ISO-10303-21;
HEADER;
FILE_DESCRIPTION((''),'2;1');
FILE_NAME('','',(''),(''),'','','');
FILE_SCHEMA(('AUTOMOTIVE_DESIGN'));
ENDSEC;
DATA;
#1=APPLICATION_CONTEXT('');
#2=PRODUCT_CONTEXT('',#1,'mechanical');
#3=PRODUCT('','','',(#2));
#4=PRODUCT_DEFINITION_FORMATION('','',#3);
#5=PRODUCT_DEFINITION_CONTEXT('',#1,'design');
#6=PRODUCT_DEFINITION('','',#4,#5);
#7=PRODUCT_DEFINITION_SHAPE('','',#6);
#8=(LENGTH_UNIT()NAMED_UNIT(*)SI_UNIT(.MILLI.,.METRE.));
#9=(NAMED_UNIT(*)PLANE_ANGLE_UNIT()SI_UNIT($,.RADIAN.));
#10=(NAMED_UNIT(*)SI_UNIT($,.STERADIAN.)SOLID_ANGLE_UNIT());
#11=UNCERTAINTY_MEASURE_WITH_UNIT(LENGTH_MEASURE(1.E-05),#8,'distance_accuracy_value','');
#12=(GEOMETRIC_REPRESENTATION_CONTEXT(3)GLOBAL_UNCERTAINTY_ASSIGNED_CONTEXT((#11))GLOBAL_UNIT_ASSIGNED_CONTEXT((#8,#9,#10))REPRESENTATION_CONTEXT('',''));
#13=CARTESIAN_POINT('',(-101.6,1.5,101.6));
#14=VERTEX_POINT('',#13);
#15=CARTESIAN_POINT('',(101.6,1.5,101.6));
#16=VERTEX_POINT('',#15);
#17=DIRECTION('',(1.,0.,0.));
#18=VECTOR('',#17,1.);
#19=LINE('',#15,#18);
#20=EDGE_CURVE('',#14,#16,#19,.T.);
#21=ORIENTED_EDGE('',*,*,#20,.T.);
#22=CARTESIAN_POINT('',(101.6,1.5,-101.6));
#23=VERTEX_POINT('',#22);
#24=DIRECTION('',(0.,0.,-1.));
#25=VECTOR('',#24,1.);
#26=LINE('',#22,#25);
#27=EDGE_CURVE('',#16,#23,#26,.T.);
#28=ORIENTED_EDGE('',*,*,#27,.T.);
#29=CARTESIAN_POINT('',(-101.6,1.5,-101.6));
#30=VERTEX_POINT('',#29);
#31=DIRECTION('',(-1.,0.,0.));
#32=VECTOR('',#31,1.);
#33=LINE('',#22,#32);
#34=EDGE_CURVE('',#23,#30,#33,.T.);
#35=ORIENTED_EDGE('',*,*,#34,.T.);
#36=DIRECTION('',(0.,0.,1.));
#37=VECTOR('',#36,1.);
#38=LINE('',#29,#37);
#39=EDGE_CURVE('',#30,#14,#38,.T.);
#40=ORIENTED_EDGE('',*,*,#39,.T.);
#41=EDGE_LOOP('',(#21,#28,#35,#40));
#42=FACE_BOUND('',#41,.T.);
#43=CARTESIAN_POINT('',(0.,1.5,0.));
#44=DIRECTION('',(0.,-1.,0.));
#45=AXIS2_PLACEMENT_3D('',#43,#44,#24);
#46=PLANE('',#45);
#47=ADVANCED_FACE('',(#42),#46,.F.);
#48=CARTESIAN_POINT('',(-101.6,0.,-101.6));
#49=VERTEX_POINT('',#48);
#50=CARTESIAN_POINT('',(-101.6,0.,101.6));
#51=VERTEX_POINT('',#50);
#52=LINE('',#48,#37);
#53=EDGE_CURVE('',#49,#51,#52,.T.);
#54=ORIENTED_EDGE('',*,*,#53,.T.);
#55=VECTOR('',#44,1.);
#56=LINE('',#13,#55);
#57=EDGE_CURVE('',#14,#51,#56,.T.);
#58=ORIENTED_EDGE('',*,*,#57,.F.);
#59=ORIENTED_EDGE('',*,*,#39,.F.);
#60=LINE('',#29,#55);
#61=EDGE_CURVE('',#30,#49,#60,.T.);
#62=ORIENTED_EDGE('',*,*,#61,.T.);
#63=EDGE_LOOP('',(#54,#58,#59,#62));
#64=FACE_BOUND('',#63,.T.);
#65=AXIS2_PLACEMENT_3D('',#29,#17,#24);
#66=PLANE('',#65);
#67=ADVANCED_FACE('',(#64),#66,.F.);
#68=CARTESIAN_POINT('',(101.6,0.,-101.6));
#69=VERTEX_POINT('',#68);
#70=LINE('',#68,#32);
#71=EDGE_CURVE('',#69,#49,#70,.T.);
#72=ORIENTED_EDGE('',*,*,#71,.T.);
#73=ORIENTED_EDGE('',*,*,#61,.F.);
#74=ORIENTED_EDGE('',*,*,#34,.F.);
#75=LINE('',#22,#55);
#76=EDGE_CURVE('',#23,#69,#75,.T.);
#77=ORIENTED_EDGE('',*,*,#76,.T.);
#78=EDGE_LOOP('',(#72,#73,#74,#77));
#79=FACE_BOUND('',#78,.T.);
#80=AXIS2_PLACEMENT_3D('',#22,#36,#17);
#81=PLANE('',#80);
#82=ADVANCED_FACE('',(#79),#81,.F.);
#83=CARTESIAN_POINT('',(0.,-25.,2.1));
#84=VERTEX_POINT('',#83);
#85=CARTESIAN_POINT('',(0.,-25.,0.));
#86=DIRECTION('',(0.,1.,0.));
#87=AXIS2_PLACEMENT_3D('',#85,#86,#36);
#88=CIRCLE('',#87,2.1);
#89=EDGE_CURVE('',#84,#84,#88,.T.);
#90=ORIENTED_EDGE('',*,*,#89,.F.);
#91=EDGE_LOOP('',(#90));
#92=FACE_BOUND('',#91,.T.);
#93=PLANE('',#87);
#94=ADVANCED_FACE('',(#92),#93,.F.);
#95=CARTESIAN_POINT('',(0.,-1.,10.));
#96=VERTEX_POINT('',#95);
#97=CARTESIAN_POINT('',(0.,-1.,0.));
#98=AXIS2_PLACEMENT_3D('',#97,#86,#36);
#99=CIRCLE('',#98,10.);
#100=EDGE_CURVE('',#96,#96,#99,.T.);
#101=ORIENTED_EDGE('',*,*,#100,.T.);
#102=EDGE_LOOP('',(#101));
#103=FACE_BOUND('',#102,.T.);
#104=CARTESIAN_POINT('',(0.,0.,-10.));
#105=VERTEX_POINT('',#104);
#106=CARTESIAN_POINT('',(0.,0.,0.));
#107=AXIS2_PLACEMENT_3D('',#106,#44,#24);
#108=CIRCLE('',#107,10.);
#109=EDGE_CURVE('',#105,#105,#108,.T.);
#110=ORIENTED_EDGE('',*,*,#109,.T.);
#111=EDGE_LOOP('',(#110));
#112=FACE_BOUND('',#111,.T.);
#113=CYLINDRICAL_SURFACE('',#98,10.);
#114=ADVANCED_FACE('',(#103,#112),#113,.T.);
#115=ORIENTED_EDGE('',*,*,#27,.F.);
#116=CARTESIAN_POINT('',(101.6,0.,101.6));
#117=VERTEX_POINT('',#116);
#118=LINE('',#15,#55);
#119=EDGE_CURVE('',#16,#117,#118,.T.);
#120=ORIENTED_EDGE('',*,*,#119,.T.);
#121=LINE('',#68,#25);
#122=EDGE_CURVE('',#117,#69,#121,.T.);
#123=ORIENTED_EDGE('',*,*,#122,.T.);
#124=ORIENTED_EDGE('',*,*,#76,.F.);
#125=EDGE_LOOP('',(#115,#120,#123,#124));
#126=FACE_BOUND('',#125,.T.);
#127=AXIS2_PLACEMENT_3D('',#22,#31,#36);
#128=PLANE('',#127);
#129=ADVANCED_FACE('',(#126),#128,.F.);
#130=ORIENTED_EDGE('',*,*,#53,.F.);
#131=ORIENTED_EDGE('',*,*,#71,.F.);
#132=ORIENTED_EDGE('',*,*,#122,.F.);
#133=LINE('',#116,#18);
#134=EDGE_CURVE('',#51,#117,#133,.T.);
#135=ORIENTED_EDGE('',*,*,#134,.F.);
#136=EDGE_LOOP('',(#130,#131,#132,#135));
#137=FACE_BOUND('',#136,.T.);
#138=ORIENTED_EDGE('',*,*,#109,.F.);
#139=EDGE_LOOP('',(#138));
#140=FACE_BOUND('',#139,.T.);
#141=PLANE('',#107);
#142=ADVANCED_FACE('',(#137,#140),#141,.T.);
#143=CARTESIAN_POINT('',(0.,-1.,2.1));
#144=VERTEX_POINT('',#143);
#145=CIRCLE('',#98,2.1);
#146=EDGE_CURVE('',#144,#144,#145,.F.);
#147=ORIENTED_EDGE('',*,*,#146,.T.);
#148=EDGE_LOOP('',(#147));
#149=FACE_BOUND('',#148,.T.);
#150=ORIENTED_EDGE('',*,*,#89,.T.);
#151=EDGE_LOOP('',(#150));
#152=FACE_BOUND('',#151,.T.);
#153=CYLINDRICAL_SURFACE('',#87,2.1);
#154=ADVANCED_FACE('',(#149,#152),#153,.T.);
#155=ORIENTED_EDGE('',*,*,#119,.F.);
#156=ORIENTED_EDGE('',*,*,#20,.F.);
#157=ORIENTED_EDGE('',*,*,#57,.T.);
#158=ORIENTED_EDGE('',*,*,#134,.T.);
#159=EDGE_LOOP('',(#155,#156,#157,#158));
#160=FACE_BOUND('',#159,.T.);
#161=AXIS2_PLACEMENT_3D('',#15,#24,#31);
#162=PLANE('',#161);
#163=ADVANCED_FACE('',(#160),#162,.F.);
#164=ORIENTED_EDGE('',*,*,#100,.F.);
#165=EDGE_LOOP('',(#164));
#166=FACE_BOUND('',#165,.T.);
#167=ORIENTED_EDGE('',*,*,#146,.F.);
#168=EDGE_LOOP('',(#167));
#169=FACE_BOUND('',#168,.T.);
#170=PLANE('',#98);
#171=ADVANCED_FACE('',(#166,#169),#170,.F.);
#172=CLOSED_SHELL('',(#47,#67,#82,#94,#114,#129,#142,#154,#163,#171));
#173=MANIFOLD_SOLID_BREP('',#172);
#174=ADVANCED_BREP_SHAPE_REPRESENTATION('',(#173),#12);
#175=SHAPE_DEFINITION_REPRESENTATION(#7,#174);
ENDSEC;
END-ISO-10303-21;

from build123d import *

# Parameters (mm, degrees)
SKETCH1_R           = 2.1
BOSS_EXTRUDE1_DEPTH = 25
SKETCH2_W           = 203.2
SKETCH2_H           = 203.2
BOSS_EXTRUDE2_DEPTH = 1.5
SKETCH3_R           = 10
BOSS_EXTRUDE3_DEPTH = 1


with BuildPart() as part:
    # Sketch1 → Boss-Extrude1 (new body)
    with BuildSketch(Plane(origin=(0, 0, 0), x_dir=(1, 0, 0), z_dir=(0, 1, 0))):
        with Locations(Location((0, 0, 0), (0, 0, 270))):
            Circle(SKETCH1_R)
    extrude(amount=-BOSS_EXTRUDE1_DEPTH)

    # Sketch2 → Boss-Extrude2 (add)
    with BuildSketch(Plane(origin=(0, 0, 0), x_dir=(1, 0, 0), z_dir=(0, 1, 0))):
        Rectangle(SKETCH2_W, SKETCH2_H)
    extrude(amount=BOSS_EXTRUDE2_DEPTH)

    # Sketch3 → Boss-Extrude3 (add)
    with BuildSketch(Plane(origin=(0, 0, 0), x_dir=(1, 0, 0), z_dir=(0, 1, 0))):
        with Locations(Location((0, 0, 0), (0, 0, 270))):
            Circle(SKETCH3_R)
    extrude(amount=-BOSS_EXTRUDE3_DEPTH)


solid = part.part
